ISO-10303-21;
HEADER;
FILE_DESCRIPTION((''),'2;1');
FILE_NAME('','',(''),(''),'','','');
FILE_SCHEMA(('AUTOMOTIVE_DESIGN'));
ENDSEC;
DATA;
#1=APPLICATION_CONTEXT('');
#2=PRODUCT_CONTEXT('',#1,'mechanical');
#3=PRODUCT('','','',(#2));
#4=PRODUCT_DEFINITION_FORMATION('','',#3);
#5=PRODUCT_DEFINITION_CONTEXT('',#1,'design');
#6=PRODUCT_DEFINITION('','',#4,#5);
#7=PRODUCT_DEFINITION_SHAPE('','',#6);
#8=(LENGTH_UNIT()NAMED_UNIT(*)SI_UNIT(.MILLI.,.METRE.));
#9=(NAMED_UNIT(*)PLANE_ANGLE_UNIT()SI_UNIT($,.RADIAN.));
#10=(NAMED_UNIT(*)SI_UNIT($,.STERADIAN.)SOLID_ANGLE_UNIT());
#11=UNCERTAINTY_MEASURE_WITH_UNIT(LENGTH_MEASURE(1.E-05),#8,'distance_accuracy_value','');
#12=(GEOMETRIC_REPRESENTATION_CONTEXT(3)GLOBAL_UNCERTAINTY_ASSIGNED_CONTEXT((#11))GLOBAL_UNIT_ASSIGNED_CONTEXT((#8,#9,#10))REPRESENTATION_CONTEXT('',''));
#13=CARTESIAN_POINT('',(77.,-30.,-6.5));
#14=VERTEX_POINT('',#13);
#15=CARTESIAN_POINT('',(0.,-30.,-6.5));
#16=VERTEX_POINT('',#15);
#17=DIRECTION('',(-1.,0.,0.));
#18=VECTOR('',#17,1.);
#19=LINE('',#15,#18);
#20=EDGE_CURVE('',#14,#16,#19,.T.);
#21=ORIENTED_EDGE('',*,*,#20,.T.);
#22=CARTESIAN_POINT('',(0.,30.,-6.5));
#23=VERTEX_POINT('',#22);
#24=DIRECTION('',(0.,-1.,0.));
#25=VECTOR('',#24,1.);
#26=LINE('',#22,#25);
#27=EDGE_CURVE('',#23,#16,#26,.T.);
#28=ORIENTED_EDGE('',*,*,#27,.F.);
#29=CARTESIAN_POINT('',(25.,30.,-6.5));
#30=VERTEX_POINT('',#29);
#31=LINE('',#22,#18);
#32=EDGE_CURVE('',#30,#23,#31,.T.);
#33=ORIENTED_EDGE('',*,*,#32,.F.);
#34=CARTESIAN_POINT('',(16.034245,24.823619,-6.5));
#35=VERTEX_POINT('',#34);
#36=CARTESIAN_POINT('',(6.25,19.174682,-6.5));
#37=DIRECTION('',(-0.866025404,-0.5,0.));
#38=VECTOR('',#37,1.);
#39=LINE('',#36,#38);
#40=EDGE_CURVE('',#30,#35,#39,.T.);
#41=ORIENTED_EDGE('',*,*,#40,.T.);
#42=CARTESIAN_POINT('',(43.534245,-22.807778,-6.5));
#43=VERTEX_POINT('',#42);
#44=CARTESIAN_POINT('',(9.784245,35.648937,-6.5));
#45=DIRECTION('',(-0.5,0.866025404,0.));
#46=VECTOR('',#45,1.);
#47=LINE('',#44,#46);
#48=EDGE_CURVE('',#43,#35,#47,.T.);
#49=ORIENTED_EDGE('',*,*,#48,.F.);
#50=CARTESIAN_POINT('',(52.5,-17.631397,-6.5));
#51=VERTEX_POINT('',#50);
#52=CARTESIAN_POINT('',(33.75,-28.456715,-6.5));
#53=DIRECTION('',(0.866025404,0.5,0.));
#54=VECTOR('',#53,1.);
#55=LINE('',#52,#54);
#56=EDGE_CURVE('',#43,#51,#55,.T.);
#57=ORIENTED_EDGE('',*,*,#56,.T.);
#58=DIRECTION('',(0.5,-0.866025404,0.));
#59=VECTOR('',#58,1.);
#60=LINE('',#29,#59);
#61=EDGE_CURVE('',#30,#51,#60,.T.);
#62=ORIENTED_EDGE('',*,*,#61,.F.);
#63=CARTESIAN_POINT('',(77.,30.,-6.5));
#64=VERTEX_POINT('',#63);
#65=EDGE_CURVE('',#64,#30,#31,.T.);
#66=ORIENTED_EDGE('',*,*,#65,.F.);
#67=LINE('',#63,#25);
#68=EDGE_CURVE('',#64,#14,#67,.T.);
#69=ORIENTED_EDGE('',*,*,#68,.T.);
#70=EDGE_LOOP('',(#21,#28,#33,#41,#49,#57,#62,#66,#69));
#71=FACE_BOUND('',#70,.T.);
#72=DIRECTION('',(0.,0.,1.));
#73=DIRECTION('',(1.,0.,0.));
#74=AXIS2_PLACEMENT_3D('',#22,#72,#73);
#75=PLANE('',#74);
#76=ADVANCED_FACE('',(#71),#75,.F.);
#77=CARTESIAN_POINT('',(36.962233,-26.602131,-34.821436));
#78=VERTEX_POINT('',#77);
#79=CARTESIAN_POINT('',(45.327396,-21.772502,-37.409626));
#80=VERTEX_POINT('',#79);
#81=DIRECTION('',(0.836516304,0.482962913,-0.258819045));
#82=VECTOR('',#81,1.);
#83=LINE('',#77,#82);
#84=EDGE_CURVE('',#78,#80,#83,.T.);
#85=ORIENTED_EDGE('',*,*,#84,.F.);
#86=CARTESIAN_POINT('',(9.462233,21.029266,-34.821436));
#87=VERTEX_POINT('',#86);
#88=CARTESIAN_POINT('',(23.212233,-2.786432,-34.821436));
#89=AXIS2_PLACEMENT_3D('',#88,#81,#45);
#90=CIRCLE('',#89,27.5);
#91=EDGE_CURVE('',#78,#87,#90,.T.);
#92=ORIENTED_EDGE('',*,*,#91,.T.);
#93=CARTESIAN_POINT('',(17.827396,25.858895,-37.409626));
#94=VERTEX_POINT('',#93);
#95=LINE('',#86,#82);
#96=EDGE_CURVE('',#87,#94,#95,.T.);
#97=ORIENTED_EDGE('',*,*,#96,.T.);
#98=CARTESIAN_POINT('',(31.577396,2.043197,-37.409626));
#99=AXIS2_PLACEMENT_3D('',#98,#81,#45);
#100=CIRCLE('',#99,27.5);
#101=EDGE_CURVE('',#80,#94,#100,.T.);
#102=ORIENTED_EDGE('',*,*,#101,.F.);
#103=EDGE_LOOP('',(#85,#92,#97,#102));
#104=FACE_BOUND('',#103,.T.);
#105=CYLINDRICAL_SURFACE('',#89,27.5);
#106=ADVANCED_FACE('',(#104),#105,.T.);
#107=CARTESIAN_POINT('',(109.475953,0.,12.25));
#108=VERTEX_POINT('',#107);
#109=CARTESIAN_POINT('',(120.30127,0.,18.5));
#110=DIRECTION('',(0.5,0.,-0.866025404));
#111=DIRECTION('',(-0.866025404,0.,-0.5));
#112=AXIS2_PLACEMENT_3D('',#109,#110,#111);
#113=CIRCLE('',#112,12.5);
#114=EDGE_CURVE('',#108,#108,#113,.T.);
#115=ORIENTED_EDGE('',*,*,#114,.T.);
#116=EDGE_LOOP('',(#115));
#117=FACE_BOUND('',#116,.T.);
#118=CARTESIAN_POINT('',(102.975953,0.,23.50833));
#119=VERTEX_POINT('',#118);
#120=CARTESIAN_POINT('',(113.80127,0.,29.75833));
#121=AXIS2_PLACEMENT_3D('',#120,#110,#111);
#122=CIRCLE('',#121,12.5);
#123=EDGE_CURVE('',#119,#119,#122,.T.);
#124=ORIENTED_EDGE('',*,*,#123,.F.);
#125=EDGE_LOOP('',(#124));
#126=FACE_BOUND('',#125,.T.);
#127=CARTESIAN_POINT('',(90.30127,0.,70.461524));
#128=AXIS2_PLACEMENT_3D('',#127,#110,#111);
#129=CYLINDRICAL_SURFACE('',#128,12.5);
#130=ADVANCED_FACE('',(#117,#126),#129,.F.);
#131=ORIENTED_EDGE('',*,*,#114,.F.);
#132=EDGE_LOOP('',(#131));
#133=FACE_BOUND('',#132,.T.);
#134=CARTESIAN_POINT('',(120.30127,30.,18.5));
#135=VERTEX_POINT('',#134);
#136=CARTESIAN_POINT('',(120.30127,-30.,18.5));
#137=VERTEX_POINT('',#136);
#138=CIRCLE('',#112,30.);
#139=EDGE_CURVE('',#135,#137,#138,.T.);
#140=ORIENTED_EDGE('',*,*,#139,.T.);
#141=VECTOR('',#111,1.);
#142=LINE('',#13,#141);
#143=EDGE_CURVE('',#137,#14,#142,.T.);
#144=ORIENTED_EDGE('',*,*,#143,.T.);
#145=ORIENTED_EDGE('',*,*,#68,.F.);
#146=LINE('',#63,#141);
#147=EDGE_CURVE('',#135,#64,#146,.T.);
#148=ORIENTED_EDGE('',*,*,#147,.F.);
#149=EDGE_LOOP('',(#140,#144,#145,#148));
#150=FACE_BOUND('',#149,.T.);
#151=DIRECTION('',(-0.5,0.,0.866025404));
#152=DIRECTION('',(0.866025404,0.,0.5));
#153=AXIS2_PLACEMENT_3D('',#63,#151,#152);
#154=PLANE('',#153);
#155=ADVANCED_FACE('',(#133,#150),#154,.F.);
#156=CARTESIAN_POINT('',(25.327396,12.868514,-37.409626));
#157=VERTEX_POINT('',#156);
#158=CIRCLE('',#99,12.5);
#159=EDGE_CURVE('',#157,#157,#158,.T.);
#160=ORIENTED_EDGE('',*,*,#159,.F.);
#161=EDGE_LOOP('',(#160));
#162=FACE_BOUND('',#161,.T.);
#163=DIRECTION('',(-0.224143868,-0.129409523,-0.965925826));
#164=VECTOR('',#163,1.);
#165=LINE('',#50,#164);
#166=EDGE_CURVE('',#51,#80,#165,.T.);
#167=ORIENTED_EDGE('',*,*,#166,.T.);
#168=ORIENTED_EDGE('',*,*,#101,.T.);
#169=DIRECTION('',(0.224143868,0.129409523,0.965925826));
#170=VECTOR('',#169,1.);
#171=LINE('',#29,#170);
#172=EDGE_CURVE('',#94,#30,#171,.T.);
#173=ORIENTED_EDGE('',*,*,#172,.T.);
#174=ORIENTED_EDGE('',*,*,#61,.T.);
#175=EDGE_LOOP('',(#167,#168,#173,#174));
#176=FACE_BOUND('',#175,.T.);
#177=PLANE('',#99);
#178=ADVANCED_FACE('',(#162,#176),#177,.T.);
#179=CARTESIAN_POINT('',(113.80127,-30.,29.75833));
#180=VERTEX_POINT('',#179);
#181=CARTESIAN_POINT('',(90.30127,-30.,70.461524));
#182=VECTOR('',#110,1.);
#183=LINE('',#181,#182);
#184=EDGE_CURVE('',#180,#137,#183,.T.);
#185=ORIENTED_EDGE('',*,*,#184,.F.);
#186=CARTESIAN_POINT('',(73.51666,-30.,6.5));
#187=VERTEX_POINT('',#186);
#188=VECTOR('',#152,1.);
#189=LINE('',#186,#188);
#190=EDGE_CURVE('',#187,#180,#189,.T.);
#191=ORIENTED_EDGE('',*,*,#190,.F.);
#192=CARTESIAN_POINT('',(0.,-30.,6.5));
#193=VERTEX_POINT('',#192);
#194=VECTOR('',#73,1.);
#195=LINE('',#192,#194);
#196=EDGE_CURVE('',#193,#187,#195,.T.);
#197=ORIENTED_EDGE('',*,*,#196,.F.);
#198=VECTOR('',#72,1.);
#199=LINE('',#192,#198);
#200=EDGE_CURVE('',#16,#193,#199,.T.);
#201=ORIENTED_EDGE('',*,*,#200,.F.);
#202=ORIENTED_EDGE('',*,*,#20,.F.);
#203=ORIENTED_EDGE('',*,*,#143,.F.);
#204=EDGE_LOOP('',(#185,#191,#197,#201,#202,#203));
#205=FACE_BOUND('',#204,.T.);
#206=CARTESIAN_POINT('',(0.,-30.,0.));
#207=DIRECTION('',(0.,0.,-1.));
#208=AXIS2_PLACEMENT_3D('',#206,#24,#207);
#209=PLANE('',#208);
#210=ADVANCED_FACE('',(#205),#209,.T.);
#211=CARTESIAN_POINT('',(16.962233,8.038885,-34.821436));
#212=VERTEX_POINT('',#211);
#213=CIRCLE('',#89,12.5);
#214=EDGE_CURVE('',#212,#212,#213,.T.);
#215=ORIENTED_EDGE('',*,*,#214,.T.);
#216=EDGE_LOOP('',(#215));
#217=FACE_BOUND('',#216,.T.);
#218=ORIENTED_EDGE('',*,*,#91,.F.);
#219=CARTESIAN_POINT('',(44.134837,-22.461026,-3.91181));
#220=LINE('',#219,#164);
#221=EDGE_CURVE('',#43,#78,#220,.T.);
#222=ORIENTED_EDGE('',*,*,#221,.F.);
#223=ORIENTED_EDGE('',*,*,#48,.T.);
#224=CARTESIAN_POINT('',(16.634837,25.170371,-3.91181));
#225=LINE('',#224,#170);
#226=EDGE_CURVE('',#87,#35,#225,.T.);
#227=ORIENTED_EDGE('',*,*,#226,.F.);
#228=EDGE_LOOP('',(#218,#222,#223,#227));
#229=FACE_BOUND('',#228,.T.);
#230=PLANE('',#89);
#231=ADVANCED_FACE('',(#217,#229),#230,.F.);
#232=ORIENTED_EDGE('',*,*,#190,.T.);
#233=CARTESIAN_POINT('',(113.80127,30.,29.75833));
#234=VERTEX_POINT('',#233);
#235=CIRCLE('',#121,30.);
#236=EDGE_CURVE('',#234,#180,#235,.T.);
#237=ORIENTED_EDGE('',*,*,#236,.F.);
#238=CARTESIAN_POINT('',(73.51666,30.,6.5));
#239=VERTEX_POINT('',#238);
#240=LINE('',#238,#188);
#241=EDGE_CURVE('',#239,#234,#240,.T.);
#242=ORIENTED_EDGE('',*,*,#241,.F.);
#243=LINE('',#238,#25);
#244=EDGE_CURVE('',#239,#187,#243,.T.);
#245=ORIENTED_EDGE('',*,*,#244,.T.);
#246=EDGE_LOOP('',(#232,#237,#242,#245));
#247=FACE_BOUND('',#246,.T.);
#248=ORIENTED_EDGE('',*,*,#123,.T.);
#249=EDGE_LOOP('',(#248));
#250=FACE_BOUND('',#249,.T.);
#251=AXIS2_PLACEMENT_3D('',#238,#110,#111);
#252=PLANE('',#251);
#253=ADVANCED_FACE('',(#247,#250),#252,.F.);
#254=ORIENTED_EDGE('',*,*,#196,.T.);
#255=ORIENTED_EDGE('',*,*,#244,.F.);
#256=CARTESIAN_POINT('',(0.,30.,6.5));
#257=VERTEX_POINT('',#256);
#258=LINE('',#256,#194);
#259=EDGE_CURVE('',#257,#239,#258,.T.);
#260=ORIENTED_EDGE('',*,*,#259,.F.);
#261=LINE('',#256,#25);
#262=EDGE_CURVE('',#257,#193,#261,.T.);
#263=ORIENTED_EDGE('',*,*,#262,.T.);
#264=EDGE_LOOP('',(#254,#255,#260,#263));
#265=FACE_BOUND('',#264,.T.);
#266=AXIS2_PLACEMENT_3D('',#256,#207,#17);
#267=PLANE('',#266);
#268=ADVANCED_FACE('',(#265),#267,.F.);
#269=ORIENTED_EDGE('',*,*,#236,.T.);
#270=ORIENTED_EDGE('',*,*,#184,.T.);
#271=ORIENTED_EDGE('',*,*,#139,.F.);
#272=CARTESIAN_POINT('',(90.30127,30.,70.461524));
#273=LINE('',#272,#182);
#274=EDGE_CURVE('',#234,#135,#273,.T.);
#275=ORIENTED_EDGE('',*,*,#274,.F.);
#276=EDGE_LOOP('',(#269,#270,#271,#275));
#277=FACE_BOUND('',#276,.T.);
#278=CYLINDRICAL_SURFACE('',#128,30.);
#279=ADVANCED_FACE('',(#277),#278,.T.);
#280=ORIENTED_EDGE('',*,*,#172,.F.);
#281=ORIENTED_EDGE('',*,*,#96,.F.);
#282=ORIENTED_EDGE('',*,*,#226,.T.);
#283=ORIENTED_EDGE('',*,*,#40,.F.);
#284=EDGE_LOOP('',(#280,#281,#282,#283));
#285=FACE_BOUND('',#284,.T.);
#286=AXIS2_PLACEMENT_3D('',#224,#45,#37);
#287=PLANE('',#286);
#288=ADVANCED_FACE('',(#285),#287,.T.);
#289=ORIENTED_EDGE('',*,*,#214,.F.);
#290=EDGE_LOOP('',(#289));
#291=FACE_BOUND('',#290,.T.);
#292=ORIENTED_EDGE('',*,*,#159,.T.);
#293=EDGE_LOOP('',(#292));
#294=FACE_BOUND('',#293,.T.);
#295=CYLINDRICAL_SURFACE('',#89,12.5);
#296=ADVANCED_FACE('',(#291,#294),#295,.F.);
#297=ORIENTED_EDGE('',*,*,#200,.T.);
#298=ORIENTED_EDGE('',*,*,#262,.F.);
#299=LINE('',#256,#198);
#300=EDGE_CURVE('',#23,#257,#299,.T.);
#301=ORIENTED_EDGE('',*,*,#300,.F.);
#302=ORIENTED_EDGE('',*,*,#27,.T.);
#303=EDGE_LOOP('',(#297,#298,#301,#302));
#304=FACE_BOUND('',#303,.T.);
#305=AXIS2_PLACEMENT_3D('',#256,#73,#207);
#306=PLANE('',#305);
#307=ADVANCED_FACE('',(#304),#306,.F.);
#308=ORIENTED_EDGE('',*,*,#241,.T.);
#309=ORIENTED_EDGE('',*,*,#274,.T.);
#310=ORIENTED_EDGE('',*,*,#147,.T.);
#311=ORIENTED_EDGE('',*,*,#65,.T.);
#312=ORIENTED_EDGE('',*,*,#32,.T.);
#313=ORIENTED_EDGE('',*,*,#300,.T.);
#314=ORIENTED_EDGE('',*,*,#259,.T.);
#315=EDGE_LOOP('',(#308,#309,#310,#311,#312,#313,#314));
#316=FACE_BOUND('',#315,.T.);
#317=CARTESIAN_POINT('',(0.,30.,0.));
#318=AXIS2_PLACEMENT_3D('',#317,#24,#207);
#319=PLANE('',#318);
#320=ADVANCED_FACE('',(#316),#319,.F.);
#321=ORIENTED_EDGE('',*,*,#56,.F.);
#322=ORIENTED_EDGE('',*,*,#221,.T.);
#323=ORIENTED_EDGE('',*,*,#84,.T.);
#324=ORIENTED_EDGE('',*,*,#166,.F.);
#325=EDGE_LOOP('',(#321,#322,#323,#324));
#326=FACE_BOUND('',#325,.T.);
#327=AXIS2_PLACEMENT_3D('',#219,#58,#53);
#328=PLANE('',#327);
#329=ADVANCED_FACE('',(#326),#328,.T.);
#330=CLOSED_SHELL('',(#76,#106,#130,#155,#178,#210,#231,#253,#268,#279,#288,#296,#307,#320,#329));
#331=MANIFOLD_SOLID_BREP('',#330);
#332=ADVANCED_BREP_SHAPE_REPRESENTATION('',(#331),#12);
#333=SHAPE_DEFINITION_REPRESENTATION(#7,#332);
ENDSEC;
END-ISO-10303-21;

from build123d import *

# Parameters (mm, degrees)
BOSS_EXTRUDE1_DEPTH = 30
SKETCH2_R           = 12.5
CUT_EXTRUDE1_DEPTH  = 60
SKETCH4_R           = 12.5
BOSS_EXTRUDE2_DEPTH = 10


with BuildPart() as part:
    # Sketch1 → Boss-Extrude1 (new body, symmetric)
    with BuildSketch(Plane(origin=(0, 0, 0), x_dir=(1, 0, 0), z_dir=(0, 1, 0))):
        Polygon((0, -6.5), (73.516660498, -6.5), (139.782032303, -44.758330249), (146.282032303, -33.5), (77, 6.5), (0, 6.5), align=None)
    extrude(amount=BOSS_EXTRUDE1_DEPTH, both=True)

    # Sketch2 → Cut-Extrude1 (cut)
    with BuildSketch(Plane(origin=(22.064582562, 0, -38.216978046), x_dir=(-0.866025404, 0, -0.5), z_dir=(0.5, 0, -0.866025404))):
        with Locations((-113.433956091, 0)):
            Circle(SKETCH2_R)
        with BuildLine():
            Line((-143.433956091, 30), (-143.433956091, 2.09e-07))
            ThreePointArc((-143.433956091, 2.09e-07), (-134.647159453, 21.21320351), (-113.433956091, 30))
            Line((-113.433956091, 30), (-143.433956091, 30))
        make_face()
        with BuildLine():
            Line((-143.433956091, 2.09e-07), (-143.433956091, -30))
            Line((-143.433956091, -30), (-113.433956091, -30))
            ThreePointArc((-113.433956091, -30), (-134.647159601, -21.213203362), (-143.433956091, 2.09e-07))
        make_face()
    extrude(amount=-CUT_EXTRUDE1_DEPTH, mode=Mode.SUBTRACT)

    # Sketch4 → Boss-Extrude2 (add)
    with BuildSketch(Plane(origin=(31.02146997, 17.910254038, -9.598076211), x_dir=(0.5, -0.866025404, 0), z_dir=(0.836516304, 0.482962913, -0.258819045))):
        with BuildLine():
            Line((-13.480762114, -3.207364507), (41.519237886, -3.207364507))
            Line((41.519237886, -3.207364507), (41.519237886, 28.792635493))
            ThreePointArc((41.519237886, 28.792635493), (14.019237886, 56.292635493), (-13.480762114, 28.792635493))
            Line((-13.480762114, 28.792635493), (-13.480762114, -3.207364507))
        make_face()
        with Locations((14.019237886, 28.792635493)):
            Circle(SKETCH4_R, mode=Mode.SUBTRACT)
    extrude(amount=-BOSS_EXTRUDE2_DEPTH)


solid = part.part
